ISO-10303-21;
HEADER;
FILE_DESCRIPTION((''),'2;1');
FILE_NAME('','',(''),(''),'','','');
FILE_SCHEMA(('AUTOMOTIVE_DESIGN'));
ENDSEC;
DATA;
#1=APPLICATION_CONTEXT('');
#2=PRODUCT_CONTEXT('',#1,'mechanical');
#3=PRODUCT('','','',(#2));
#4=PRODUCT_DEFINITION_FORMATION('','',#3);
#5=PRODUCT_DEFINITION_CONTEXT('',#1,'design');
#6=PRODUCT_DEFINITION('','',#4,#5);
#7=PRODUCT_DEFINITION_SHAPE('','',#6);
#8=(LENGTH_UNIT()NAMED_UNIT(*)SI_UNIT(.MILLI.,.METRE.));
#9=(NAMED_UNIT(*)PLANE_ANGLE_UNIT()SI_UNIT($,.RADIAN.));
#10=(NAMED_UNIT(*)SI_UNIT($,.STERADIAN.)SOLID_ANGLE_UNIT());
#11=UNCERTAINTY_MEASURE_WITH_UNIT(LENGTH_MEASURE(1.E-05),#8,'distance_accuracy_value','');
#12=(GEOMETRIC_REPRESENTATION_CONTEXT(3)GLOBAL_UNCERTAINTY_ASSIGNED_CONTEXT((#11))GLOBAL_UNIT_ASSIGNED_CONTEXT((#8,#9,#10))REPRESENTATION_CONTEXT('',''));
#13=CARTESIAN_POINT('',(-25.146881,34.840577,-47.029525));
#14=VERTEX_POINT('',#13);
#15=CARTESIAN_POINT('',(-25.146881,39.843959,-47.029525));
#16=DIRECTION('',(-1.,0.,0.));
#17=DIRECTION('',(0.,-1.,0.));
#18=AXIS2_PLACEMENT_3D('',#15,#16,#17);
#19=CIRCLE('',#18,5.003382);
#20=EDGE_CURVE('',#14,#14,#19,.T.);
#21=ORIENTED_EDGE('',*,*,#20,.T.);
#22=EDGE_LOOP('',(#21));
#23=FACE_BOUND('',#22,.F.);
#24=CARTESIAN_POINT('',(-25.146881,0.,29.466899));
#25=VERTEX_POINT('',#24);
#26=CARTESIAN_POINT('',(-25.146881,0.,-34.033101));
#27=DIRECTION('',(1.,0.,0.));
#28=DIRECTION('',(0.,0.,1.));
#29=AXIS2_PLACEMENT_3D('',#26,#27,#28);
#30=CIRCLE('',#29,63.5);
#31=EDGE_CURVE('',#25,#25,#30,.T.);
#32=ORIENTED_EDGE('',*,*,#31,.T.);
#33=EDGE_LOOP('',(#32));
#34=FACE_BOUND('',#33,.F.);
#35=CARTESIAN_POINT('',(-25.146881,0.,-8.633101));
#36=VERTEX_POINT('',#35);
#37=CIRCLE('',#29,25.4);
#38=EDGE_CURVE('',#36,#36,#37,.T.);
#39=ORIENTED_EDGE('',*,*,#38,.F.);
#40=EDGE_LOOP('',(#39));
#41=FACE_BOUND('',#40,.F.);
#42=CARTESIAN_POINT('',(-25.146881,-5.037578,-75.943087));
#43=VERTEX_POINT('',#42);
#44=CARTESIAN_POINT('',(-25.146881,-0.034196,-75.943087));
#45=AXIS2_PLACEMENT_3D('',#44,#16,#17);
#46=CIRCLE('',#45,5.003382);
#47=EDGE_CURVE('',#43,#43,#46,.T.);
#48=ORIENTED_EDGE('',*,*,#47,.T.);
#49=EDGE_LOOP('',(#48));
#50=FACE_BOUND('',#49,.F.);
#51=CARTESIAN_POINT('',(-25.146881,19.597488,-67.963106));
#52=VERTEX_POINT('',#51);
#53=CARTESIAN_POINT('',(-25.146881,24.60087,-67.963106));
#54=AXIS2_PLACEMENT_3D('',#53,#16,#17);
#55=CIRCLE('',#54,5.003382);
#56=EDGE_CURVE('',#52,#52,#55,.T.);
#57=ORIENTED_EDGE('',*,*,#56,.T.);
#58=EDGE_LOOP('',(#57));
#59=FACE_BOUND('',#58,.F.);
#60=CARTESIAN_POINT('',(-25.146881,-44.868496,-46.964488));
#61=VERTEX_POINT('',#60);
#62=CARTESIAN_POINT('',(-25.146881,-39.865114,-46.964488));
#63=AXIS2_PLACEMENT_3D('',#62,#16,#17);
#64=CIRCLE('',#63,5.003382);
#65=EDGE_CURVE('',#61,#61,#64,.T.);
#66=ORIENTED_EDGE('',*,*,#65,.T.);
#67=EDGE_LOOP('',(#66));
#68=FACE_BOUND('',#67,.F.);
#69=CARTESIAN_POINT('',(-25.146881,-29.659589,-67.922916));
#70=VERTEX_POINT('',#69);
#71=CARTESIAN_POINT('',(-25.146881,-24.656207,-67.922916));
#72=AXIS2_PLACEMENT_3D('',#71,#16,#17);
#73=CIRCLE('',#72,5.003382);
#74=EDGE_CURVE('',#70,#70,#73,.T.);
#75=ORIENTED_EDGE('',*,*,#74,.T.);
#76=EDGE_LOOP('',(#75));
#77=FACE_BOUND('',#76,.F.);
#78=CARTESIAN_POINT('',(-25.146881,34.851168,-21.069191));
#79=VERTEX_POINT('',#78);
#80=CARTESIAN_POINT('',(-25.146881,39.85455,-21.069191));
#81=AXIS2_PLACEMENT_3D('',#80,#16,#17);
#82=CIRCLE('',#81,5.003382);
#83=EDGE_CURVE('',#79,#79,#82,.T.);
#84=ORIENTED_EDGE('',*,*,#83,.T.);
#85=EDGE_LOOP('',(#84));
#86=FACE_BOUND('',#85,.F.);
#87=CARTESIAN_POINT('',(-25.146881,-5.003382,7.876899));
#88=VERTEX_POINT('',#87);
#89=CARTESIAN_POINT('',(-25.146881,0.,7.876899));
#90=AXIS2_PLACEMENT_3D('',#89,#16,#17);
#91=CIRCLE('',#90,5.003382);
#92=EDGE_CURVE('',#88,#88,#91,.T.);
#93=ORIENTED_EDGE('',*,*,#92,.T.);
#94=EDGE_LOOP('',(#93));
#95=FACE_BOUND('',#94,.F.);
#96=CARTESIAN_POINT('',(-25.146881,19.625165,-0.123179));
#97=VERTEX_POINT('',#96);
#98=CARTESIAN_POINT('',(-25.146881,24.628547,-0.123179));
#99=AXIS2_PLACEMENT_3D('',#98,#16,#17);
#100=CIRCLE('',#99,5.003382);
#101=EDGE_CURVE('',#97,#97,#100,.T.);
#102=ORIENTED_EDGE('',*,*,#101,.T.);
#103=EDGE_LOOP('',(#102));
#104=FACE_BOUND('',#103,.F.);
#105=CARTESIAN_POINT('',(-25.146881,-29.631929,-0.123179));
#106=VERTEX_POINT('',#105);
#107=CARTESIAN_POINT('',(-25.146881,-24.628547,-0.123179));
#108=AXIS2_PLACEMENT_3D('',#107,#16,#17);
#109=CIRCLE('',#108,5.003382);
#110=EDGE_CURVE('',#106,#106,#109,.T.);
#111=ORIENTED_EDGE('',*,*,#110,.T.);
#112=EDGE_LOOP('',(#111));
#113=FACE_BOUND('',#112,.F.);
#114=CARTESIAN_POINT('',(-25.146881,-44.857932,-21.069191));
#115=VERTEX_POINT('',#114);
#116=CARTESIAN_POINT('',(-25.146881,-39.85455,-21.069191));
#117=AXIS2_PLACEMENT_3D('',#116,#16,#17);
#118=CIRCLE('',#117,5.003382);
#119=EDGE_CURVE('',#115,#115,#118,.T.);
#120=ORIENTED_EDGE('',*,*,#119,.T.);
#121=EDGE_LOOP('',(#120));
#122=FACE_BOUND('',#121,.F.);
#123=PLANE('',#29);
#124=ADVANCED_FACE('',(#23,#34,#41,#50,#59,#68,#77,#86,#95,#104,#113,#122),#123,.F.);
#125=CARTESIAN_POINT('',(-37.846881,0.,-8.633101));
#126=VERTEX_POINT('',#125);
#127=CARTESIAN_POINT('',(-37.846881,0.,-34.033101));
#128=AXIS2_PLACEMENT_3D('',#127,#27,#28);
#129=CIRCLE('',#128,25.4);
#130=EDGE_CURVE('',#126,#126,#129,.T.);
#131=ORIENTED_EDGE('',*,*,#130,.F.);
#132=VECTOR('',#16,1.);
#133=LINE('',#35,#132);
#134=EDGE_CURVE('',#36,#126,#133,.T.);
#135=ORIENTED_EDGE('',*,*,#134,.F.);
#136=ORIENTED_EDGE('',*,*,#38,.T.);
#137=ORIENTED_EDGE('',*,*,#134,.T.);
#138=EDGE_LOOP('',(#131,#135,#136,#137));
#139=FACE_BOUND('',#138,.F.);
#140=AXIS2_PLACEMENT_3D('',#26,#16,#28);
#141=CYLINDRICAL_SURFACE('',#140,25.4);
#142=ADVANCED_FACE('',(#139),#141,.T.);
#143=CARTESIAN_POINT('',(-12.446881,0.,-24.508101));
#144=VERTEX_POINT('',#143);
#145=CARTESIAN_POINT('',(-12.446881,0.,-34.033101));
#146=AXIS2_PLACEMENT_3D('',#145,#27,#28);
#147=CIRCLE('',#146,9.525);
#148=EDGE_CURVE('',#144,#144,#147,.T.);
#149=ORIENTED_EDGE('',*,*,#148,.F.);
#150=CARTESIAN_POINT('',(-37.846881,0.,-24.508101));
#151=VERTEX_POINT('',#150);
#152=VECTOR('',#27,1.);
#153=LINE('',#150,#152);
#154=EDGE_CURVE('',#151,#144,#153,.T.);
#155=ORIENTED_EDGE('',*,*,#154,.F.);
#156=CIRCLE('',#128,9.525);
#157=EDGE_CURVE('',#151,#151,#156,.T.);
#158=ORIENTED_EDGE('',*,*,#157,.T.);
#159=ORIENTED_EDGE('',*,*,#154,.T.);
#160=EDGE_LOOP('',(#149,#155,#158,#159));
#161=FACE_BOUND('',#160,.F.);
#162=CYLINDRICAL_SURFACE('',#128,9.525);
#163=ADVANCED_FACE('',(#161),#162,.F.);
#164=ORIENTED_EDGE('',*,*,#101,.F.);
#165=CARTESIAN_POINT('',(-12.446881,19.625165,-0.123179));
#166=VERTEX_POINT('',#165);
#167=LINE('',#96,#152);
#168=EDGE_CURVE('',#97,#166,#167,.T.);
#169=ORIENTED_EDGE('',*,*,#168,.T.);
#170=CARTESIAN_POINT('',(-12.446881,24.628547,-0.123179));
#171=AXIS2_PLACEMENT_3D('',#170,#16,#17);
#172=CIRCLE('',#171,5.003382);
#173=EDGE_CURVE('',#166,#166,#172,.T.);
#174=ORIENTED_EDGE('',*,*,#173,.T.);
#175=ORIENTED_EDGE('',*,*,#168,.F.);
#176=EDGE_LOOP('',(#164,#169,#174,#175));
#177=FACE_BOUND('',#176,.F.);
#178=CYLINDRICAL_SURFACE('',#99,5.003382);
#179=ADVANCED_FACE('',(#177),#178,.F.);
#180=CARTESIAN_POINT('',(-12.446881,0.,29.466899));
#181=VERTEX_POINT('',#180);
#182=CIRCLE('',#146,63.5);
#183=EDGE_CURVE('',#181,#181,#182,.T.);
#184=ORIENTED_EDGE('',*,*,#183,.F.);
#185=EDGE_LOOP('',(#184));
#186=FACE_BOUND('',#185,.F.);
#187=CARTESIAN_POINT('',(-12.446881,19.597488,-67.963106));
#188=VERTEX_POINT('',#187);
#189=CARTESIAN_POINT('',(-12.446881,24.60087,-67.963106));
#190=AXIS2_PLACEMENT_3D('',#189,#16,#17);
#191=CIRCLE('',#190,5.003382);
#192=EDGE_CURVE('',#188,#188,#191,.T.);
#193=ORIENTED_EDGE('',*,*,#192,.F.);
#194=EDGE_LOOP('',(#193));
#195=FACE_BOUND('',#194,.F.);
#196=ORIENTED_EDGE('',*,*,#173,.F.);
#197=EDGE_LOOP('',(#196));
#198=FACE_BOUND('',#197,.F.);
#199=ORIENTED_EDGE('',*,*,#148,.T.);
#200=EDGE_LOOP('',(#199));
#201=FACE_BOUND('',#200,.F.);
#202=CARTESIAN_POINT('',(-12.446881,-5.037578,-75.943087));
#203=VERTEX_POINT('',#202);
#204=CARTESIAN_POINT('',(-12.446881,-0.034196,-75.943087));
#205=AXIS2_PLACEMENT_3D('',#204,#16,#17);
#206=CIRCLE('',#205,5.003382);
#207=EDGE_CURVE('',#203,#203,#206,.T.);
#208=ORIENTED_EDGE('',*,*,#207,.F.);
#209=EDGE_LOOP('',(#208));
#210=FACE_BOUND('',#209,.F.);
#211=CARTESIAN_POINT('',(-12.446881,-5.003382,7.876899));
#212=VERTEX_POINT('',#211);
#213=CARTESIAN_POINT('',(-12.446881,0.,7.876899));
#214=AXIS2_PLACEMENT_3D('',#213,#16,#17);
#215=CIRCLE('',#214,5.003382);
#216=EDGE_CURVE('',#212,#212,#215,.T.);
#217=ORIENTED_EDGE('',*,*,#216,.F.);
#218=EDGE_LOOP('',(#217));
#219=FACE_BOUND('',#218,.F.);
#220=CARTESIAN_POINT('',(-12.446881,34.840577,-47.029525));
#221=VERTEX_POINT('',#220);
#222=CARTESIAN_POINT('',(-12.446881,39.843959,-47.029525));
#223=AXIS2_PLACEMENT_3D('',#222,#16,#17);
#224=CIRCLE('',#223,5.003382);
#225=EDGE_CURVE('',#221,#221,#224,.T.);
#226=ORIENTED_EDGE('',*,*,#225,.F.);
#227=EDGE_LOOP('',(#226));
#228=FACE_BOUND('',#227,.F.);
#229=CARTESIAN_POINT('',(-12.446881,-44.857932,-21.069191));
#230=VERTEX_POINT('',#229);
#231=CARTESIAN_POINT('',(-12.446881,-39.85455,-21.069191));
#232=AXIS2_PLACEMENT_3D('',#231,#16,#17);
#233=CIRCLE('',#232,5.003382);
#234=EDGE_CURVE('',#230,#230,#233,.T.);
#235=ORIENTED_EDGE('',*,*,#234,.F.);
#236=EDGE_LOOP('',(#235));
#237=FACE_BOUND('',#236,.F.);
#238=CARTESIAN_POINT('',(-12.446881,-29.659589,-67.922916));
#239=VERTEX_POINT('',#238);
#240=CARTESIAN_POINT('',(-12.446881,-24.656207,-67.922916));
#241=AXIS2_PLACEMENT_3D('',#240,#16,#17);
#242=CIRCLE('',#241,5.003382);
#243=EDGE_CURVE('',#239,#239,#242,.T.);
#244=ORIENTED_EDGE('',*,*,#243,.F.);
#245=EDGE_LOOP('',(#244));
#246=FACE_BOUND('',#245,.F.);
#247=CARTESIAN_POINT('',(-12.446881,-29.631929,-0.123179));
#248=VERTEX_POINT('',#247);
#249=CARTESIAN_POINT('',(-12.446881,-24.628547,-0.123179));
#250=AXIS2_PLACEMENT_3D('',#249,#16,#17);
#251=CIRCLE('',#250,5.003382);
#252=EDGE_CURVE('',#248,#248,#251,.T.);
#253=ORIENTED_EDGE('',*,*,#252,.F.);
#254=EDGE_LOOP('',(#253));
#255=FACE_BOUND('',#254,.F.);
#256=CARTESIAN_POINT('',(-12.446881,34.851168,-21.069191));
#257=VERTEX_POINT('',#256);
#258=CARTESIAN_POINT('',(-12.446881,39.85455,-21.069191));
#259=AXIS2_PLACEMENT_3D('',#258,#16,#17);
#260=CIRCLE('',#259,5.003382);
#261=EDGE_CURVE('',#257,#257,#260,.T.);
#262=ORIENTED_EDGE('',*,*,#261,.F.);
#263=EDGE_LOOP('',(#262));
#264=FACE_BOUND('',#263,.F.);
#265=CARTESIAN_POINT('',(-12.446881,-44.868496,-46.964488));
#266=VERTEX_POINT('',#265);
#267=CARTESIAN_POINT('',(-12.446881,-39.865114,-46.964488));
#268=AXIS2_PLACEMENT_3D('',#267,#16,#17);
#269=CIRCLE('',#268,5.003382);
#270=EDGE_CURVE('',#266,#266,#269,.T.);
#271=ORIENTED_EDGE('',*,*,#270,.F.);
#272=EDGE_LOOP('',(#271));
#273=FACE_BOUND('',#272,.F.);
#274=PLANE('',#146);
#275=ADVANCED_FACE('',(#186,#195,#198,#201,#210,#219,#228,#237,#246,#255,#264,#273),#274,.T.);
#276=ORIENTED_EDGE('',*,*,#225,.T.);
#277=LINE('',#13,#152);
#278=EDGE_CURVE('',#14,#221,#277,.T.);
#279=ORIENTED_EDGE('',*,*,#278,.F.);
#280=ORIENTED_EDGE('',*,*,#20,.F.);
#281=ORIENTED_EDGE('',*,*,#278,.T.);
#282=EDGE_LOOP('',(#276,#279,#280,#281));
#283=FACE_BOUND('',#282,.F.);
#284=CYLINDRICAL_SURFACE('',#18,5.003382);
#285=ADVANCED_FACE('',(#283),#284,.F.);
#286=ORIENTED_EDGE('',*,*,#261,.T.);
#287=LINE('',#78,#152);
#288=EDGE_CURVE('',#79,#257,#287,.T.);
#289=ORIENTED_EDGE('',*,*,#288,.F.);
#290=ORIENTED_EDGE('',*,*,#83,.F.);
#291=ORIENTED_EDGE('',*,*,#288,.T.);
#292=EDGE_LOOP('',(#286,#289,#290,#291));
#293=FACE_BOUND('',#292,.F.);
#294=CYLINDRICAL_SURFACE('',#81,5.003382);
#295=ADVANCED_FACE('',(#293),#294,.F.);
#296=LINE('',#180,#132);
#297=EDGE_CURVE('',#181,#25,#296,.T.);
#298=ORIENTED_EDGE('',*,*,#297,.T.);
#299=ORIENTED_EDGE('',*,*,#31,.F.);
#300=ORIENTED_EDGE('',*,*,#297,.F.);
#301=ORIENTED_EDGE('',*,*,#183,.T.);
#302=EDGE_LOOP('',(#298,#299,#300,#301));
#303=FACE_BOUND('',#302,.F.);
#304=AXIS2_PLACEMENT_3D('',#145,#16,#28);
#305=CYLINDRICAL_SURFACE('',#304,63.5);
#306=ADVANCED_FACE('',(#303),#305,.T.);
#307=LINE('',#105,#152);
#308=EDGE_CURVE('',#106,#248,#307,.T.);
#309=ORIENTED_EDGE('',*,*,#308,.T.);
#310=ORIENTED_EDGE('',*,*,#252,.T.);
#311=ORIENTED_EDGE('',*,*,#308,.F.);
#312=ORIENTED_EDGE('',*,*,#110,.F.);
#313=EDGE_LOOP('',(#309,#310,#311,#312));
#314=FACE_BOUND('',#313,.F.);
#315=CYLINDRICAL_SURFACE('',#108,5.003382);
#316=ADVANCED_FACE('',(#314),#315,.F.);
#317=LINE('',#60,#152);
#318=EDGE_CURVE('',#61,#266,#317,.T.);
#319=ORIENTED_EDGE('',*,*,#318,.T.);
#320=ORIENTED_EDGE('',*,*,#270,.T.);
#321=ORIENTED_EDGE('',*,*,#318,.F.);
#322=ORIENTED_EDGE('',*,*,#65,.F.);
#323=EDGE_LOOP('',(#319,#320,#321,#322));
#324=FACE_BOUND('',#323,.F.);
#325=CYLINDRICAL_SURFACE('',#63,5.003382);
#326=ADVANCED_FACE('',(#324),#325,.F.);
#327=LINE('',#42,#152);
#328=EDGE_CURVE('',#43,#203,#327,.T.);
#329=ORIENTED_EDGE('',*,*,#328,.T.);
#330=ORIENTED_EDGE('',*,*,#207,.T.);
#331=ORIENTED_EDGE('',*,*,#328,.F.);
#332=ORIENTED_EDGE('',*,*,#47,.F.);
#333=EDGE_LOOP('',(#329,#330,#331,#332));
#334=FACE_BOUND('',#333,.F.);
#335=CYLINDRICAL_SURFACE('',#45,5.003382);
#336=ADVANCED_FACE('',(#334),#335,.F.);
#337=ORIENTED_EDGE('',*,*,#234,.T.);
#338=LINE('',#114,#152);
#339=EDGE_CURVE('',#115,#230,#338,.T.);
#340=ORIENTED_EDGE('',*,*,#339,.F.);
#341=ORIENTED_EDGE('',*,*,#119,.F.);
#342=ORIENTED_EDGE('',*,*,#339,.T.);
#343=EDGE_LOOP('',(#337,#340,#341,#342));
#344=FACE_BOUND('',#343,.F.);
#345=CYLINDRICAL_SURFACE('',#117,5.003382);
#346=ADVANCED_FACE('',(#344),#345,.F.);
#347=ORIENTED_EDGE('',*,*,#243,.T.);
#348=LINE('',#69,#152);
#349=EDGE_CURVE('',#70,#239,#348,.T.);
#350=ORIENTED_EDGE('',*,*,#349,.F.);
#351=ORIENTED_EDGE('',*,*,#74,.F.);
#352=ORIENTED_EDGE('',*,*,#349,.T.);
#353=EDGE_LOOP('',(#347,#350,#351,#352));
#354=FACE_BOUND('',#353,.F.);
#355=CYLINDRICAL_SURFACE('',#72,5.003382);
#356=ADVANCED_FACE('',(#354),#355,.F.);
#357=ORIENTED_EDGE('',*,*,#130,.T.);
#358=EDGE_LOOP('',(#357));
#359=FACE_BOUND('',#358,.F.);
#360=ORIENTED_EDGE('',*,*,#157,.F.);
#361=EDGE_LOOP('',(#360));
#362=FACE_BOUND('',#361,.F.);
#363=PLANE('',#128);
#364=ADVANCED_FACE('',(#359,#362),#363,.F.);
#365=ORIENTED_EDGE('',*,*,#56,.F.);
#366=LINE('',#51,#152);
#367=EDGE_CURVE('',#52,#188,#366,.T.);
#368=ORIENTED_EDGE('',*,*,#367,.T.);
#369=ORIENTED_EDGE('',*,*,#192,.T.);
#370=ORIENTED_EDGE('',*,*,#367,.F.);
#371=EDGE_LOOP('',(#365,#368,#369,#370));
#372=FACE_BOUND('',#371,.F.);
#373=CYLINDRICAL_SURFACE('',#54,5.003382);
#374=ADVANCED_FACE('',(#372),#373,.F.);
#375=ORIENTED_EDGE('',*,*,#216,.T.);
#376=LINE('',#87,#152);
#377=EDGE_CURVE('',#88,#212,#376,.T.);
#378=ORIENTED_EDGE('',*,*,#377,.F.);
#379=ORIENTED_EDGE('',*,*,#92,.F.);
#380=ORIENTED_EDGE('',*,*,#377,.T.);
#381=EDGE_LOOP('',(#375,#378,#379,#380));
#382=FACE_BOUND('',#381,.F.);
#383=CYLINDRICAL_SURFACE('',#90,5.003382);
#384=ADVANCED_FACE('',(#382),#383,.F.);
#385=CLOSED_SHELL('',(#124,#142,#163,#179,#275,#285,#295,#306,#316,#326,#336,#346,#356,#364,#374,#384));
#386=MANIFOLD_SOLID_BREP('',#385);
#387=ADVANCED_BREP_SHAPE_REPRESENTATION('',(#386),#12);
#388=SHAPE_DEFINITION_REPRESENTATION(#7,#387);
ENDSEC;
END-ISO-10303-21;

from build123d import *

# Parameters (mm, degrees)
F2_R     = 5.003382
F3_DEPTH = 25.4


with BuildPart() as f1:
    # F0 (on Front) → F1 (revolve)
    with BuildSketch(Plane.XZ):
        Polygon((-12.446881, 29.466899), (-25.146881, 29.466899), (-25.146881, -8.633101), (-37.846881, -8.633101), (-37.846881, -24.508101), (-12.446881, -24.508101), align=None)
    revolve(axis=Axis((-29.13227, 0, -34.033101), (1, 0, 0)))

    # F2 (on face) → F3 (cut)
    with BuildSketch(Plane(origin=(-25.146881, 0, 0), x_dir=(0, -1, 0), z_dir=(-1, 0, 0))):
        with Locations((0, 7.876899)):
            Circle(F2_R)
        with Locations((24.628547, -0.123179)):
            Circle(F2_R)
        with Locations((39.85455, -21.069191)):
            Circle(F2_R)
        with Locations((39.865114, -46.964488)):
            Circle(F2_R)
        with Locations((24.656207, -67.922916)):
            Circle(F2_R)
        with Locations((-24.60087, -67.963106)):
            Circle(F2_R)
        with Locations((0.034196, -75.943087)):
            Circle(F2_R)
        with Locations((-39.843959, -47.029525)):
            Circle(F2_R)
        with Locations((-39.85455, -21.069191)):
            Circle(F2_R)
        with Locations((-24.628547, -0.123179)):
            Circle(F2_R)
    extrude(amount=-F3_DEPTH, mode=Mode.SUBTRACT)


solid = f1.part
